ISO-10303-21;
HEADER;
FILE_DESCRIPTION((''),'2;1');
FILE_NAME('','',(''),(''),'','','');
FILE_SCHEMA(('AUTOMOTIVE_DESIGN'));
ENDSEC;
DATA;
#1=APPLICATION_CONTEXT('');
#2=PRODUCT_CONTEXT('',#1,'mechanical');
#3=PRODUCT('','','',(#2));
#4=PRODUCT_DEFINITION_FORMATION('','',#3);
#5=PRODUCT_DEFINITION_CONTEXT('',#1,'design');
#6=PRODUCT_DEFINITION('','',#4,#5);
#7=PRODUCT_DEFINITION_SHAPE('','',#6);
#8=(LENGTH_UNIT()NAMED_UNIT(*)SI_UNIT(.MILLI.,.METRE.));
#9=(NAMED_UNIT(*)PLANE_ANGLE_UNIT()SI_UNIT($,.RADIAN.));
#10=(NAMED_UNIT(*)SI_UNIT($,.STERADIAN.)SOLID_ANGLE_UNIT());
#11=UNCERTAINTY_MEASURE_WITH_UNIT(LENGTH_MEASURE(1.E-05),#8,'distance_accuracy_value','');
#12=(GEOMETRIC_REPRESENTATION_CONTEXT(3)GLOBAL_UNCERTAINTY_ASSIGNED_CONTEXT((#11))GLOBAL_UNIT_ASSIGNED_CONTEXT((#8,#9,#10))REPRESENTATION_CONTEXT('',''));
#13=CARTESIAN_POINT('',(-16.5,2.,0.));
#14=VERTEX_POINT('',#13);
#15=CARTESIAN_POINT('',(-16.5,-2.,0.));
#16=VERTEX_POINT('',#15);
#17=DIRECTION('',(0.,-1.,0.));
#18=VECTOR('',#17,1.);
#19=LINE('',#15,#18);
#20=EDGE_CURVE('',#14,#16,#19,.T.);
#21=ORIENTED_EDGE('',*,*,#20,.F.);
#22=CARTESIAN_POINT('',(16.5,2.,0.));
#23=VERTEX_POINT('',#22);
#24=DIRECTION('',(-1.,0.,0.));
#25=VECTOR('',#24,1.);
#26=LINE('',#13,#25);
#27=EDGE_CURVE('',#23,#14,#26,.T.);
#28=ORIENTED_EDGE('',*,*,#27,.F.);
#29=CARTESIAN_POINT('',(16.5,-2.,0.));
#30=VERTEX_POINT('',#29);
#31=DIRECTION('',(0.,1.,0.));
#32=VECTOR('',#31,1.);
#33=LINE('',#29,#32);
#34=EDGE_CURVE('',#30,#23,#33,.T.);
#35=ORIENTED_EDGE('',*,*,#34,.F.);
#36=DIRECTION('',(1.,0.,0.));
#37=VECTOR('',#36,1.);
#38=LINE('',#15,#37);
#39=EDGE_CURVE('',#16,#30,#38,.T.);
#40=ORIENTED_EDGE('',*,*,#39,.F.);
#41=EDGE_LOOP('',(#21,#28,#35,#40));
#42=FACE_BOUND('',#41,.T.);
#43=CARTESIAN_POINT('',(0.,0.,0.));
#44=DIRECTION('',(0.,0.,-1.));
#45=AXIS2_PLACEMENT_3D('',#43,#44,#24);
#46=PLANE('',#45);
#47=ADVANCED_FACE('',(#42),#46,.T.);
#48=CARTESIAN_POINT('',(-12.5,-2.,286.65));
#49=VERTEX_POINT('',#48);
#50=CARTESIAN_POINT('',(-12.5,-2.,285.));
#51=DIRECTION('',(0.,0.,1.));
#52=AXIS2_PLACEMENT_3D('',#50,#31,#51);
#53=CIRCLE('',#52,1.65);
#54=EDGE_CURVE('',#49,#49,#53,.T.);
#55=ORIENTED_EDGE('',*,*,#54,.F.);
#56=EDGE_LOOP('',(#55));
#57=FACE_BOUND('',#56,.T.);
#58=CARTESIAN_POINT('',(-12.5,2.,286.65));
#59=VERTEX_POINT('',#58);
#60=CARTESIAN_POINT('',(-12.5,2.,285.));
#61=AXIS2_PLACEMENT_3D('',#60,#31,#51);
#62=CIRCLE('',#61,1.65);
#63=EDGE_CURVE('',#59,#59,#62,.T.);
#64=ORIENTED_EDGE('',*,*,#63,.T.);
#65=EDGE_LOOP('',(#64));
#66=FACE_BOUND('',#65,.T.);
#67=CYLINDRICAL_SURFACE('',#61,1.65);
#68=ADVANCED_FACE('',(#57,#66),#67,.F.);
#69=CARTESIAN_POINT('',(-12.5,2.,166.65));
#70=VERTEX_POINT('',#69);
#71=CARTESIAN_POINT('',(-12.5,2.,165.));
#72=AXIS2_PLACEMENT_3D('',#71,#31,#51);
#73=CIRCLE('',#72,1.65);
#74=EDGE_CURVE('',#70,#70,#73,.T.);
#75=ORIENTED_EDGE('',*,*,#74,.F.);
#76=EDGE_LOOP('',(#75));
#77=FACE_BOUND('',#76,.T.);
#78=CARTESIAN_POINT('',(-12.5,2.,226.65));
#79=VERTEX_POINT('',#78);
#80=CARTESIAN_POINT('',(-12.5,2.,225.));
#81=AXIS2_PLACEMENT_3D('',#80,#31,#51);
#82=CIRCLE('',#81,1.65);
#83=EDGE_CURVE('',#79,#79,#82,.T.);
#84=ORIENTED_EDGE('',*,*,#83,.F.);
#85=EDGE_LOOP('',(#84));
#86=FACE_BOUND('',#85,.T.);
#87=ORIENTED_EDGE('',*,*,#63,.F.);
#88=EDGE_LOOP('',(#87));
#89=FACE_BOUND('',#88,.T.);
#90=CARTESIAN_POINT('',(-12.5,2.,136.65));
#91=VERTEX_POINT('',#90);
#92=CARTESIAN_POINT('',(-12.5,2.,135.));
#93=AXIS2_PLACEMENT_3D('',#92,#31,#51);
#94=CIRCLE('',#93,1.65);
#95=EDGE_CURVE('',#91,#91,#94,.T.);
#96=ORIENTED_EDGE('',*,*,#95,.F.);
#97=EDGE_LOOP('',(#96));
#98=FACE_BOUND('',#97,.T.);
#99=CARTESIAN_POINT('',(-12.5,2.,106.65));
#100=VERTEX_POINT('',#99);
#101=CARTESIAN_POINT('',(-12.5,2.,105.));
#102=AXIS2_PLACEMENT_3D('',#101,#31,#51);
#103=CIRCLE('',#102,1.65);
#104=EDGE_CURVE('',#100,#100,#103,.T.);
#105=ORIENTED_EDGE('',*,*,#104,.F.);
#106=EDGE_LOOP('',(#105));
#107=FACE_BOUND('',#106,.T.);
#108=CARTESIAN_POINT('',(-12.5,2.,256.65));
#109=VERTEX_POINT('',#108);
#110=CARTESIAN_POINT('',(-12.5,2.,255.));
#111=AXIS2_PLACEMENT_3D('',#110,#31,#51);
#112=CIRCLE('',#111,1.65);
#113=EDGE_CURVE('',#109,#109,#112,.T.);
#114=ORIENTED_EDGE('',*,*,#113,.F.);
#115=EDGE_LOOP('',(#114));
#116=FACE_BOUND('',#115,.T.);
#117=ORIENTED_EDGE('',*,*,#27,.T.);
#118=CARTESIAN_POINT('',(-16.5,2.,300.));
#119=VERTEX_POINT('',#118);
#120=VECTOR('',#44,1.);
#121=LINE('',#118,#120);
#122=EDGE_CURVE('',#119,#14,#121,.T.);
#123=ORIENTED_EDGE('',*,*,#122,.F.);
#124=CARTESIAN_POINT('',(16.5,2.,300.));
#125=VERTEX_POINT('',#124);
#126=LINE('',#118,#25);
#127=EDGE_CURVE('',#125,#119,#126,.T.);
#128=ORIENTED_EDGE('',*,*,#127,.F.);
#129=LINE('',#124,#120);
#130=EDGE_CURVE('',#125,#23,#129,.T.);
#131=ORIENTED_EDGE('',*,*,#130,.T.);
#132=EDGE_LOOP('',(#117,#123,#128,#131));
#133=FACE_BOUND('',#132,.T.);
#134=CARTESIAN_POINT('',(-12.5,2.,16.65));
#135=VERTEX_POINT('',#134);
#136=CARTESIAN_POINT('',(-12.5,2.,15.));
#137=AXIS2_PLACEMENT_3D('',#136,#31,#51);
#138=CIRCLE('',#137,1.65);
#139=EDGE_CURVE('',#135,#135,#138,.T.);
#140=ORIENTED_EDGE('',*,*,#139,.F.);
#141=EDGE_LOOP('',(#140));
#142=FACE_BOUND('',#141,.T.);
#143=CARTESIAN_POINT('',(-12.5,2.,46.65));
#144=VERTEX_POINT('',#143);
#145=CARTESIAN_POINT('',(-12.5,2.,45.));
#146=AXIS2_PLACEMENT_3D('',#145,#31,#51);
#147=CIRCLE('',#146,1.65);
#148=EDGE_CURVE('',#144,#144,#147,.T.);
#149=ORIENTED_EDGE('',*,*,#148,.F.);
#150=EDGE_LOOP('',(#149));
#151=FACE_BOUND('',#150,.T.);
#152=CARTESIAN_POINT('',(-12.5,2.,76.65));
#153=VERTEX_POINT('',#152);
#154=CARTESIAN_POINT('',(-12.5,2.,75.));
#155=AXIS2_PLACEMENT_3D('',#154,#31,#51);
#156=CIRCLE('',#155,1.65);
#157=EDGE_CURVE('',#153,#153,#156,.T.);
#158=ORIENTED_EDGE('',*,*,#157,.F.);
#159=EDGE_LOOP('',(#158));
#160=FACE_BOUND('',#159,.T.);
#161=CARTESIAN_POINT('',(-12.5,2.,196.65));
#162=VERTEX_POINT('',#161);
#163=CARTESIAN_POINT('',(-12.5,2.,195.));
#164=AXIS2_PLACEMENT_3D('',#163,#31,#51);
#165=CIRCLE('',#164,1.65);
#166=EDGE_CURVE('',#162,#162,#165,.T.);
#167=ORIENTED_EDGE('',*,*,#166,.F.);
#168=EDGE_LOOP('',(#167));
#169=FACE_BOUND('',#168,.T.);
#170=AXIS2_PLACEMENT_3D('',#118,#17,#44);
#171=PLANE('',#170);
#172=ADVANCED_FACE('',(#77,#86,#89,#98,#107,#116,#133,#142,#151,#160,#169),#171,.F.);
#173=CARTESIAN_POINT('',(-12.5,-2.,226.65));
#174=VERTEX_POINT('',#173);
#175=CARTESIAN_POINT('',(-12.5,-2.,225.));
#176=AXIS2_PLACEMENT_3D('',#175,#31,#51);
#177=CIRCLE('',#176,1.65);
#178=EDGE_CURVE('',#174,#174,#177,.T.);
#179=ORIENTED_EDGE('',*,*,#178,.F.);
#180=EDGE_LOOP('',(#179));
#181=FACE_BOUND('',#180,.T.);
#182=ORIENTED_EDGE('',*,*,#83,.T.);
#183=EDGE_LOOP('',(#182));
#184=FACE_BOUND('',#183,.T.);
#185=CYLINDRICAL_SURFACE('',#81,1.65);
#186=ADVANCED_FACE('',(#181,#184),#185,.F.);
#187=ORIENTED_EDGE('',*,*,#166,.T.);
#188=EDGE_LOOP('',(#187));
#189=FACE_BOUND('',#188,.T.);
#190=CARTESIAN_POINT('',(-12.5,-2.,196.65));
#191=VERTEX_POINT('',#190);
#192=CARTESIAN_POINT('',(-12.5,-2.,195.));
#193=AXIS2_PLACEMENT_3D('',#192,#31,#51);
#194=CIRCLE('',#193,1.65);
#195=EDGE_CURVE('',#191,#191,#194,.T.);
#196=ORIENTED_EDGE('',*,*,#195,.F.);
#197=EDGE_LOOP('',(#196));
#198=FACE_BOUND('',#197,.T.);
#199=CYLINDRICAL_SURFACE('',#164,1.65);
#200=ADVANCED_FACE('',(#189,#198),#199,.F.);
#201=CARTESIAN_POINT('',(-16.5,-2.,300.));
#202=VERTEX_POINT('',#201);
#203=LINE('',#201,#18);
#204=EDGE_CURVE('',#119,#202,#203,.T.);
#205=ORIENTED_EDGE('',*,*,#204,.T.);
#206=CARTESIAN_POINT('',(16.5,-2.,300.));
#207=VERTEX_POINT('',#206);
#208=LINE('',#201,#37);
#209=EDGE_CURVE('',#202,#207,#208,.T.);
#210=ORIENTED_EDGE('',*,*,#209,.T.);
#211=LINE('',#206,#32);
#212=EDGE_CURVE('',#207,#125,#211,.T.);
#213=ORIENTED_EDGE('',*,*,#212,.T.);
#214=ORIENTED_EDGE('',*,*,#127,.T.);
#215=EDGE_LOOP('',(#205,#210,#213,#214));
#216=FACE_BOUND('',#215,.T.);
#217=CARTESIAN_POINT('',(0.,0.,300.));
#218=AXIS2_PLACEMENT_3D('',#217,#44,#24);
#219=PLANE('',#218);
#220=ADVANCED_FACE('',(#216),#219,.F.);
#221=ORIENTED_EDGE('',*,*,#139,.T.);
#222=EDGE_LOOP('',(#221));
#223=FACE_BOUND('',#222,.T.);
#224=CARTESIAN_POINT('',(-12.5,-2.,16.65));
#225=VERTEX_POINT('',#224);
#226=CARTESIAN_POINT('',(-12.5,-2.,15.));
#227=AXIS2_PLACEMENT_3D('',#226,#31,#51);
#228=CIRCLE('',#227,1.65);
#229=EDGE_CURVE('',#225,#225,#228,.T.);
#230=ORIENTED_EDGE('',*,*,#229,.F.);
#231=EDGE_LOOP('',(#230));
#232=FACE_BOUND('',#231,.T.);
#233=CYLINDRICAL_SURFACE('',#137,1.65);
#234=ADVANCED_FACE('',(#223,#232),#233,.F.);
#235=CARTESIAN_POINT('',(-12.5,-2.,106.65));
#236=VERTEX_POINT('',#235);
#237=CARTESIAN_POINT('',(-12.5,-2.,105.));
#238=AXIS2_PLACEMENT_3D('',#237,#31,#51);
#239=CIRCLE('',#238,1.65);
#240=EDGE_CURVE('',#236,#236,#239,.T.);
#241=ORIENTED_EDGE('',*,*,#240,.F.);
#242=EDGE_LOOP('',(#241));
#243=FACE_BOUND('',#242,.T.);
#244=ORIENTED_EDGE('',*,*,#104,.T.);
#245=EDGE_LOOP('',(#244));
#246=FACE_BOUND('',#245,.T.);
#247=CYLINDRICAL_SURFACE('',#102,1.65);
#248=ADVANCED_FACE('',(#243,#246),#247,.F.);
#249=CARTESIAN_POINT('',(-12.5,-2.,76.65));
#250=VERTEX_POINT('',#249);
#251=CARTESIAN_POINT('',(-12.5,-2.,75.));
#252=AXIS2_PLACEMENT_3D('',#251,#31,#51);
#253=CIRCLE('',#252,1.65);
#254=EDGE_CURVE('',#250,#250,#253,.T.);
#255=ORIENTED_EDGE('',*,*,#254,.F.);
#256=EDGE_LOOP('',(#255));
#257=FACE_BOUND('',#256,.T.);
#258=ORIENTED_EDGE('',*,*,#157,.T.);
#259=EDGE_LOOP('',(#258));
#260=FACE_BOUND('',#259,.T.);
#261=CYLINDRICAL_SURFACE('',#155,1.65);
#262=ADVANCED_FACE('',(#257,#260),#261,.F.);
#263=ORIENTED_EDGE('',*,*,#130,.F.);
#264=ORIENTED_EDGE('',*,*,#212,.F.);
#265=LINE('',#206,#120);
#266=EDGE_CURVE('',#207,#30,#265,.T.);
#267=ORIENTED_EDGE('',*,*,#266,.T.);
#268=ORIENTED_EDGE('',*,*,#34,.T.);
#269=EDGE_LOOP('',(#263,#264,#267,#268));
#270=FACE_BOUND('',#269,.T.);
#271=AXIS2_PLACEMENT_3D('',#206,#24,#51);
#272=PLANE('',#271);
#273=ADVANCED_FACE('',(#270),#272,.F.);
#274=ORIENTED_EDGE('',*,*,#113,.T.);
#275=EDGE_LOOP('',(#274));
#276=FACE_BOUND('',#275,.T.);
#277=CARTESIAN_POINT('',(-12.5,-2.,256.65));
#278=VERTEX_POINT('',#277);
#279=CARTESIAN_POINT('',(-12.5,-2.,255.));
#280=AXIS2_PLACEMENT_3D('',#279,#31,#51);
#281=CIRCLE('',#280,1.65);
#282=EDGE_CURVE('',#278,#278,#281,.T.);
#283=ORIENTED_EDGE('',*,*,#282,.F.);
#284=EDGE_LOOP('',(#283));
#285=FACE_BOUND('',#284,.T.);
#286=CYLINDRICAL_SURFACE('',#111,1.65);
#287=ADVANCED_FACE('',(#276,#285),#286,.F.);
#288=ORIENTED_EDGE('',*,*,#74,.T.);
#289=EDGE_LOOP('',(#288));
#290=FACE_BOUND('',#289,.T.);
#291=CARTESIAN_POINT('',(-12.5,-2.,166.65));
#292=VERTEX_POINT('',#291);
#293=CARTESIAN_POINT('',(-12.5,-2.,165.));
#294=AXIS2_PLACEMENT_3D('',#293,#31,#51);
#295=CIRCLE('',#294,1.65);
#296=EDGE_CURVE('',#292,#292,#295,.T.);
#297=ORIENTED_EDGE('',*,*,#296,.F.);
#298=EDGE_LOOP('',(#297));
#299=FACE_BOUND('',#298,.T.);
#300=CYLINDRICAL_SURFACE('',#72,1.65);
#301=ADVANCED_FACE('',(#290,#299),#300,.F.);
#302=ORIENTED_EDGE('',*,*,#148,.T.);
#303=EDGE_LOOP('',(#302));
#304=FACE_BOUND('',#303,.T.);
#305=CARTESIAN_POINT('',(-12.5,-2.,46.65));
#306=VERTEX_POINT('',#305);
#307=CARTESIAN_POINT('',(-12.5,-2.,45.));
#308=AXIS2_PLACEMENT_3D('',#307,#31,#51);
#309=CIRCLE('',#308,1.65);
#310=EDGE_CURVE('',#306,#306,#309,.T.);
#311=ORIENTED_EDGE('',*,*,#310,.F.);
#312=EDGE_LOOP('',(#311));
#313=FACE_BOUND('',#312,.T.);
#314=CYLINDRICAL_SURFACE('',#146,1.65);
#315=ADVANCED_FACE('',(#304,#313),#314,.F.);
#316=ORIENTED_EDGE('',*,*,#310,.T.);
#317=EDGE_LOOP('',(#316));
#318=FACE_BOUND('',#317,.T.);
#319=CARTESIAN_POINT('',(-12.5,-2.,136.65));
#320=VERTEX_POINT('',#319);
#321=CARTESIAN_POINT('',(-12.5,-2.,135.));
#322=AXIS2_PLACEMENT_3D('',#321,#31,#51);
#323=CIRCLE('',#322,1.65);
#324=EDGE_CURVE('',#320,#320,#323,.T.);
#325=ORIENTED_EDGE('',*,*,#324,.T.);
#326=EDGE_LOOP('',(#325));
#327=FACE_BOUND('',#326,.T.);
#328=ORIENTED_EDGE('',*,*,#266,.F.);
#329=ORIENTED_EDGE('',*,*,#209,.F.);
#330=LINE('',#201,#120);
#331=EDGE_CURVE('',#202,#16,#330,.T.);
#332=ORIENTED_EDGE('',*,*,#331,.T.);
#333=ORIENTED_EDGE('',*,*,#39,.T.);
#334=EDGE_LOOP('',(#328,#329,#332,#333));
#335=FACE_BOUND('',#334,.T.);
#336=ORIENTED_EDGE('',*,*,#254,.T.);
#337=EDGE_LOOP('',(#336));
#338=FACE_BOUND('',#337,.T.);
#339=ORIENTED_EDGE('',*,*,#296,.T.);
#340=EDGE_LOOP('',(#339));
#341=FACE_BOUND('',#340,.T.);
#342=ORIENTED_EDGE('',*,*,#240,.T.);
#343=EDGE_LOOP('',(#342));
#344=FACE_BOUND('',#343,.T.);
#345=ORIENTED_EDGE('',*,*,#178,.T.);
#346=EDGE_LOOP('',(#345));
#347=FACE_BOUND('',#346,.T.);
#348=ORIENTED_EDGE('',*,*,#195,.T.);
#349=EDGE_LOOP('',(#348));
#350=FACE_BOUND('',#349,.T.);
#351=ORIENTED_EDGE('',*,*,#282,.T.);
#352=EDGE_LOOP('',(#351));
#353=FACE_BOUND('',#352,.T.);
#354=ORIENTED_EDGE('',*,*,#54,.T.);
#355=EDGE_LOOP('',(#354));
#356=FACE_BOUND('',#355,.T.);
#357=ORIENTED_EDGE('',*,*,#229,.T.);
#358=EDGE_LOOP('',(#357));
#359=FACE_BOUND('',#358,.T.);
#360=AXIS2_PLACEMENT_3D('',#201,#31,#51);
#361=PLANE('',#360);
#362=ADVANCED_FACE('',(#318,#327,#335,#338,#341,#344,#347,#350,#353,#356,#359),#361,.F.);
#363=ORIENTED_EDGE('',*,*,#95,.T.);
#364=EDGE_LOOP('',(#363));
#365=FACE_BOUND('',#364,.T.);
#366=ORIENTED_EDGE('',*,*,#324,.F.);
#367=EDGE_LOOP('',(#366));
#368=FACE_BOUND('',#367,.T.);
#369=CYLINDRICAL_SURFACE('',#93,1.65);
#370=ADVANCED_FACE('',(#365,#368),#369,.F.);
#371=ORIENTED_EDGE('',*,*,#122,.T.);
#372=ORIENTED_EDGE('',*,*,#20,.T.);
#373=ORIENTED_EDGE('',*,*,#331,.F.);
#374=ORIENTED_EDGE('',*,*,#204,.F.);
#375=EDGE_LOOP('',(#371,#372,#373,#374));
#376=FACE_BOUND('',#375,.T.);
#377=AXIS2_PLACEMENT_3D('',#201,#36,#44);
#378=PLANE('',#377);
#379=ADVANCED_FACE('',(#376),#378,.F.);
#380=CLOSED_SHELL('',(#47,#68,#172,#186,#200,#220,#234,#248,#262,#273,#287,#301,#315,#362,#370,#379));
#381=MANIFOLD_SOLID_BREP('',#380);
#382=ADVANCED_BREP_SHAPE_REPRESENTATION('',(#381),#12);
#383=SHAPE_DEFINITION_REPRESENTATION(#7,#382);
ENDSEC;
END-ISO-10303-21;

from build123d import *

# Parameters (mm, degrees)
SKETCH1_W           = 33
SKETCH1_H           = 4
BOSS_EXTRUDE1_DEPTH = 300
M4_TAPPED_HOLE1_D   = 3.3
LPATTERN1_COUNT     = 10
LPATTERN1_PITCH     = 30


with BuildPart() as part:
    # Sketch1 → Boss-Extrude1 (new body)
    with BuildSketch(Plane.XY):
        Rectangle(SKETCH1_W, SKETCH1_H)
    extrude(amount=BOSS_EXTRUDE1_DEPTH)

    # M4 Tapped Hole1 (through all)
    with Locations(Plane(origin=(-12.5, 2, 15), x_dir=(0, 0, 1), z_dir=(0, 1, 0))):
        with Locations((0, 0)):
            m4_tapped_hole1 = Hole(M4_TAPPED_HOLE1_D / 2)

    # LPattern1: M4 Tapped Hole1 ×10
    with Locations(*[(0, 0, i * LPATTERN1_PITCH) for i in range(1, LPATTERN1_COUNT)]):
        add(m4_tapped_hole1, mode=Mode.SUBTRACT)


solid = part.part
